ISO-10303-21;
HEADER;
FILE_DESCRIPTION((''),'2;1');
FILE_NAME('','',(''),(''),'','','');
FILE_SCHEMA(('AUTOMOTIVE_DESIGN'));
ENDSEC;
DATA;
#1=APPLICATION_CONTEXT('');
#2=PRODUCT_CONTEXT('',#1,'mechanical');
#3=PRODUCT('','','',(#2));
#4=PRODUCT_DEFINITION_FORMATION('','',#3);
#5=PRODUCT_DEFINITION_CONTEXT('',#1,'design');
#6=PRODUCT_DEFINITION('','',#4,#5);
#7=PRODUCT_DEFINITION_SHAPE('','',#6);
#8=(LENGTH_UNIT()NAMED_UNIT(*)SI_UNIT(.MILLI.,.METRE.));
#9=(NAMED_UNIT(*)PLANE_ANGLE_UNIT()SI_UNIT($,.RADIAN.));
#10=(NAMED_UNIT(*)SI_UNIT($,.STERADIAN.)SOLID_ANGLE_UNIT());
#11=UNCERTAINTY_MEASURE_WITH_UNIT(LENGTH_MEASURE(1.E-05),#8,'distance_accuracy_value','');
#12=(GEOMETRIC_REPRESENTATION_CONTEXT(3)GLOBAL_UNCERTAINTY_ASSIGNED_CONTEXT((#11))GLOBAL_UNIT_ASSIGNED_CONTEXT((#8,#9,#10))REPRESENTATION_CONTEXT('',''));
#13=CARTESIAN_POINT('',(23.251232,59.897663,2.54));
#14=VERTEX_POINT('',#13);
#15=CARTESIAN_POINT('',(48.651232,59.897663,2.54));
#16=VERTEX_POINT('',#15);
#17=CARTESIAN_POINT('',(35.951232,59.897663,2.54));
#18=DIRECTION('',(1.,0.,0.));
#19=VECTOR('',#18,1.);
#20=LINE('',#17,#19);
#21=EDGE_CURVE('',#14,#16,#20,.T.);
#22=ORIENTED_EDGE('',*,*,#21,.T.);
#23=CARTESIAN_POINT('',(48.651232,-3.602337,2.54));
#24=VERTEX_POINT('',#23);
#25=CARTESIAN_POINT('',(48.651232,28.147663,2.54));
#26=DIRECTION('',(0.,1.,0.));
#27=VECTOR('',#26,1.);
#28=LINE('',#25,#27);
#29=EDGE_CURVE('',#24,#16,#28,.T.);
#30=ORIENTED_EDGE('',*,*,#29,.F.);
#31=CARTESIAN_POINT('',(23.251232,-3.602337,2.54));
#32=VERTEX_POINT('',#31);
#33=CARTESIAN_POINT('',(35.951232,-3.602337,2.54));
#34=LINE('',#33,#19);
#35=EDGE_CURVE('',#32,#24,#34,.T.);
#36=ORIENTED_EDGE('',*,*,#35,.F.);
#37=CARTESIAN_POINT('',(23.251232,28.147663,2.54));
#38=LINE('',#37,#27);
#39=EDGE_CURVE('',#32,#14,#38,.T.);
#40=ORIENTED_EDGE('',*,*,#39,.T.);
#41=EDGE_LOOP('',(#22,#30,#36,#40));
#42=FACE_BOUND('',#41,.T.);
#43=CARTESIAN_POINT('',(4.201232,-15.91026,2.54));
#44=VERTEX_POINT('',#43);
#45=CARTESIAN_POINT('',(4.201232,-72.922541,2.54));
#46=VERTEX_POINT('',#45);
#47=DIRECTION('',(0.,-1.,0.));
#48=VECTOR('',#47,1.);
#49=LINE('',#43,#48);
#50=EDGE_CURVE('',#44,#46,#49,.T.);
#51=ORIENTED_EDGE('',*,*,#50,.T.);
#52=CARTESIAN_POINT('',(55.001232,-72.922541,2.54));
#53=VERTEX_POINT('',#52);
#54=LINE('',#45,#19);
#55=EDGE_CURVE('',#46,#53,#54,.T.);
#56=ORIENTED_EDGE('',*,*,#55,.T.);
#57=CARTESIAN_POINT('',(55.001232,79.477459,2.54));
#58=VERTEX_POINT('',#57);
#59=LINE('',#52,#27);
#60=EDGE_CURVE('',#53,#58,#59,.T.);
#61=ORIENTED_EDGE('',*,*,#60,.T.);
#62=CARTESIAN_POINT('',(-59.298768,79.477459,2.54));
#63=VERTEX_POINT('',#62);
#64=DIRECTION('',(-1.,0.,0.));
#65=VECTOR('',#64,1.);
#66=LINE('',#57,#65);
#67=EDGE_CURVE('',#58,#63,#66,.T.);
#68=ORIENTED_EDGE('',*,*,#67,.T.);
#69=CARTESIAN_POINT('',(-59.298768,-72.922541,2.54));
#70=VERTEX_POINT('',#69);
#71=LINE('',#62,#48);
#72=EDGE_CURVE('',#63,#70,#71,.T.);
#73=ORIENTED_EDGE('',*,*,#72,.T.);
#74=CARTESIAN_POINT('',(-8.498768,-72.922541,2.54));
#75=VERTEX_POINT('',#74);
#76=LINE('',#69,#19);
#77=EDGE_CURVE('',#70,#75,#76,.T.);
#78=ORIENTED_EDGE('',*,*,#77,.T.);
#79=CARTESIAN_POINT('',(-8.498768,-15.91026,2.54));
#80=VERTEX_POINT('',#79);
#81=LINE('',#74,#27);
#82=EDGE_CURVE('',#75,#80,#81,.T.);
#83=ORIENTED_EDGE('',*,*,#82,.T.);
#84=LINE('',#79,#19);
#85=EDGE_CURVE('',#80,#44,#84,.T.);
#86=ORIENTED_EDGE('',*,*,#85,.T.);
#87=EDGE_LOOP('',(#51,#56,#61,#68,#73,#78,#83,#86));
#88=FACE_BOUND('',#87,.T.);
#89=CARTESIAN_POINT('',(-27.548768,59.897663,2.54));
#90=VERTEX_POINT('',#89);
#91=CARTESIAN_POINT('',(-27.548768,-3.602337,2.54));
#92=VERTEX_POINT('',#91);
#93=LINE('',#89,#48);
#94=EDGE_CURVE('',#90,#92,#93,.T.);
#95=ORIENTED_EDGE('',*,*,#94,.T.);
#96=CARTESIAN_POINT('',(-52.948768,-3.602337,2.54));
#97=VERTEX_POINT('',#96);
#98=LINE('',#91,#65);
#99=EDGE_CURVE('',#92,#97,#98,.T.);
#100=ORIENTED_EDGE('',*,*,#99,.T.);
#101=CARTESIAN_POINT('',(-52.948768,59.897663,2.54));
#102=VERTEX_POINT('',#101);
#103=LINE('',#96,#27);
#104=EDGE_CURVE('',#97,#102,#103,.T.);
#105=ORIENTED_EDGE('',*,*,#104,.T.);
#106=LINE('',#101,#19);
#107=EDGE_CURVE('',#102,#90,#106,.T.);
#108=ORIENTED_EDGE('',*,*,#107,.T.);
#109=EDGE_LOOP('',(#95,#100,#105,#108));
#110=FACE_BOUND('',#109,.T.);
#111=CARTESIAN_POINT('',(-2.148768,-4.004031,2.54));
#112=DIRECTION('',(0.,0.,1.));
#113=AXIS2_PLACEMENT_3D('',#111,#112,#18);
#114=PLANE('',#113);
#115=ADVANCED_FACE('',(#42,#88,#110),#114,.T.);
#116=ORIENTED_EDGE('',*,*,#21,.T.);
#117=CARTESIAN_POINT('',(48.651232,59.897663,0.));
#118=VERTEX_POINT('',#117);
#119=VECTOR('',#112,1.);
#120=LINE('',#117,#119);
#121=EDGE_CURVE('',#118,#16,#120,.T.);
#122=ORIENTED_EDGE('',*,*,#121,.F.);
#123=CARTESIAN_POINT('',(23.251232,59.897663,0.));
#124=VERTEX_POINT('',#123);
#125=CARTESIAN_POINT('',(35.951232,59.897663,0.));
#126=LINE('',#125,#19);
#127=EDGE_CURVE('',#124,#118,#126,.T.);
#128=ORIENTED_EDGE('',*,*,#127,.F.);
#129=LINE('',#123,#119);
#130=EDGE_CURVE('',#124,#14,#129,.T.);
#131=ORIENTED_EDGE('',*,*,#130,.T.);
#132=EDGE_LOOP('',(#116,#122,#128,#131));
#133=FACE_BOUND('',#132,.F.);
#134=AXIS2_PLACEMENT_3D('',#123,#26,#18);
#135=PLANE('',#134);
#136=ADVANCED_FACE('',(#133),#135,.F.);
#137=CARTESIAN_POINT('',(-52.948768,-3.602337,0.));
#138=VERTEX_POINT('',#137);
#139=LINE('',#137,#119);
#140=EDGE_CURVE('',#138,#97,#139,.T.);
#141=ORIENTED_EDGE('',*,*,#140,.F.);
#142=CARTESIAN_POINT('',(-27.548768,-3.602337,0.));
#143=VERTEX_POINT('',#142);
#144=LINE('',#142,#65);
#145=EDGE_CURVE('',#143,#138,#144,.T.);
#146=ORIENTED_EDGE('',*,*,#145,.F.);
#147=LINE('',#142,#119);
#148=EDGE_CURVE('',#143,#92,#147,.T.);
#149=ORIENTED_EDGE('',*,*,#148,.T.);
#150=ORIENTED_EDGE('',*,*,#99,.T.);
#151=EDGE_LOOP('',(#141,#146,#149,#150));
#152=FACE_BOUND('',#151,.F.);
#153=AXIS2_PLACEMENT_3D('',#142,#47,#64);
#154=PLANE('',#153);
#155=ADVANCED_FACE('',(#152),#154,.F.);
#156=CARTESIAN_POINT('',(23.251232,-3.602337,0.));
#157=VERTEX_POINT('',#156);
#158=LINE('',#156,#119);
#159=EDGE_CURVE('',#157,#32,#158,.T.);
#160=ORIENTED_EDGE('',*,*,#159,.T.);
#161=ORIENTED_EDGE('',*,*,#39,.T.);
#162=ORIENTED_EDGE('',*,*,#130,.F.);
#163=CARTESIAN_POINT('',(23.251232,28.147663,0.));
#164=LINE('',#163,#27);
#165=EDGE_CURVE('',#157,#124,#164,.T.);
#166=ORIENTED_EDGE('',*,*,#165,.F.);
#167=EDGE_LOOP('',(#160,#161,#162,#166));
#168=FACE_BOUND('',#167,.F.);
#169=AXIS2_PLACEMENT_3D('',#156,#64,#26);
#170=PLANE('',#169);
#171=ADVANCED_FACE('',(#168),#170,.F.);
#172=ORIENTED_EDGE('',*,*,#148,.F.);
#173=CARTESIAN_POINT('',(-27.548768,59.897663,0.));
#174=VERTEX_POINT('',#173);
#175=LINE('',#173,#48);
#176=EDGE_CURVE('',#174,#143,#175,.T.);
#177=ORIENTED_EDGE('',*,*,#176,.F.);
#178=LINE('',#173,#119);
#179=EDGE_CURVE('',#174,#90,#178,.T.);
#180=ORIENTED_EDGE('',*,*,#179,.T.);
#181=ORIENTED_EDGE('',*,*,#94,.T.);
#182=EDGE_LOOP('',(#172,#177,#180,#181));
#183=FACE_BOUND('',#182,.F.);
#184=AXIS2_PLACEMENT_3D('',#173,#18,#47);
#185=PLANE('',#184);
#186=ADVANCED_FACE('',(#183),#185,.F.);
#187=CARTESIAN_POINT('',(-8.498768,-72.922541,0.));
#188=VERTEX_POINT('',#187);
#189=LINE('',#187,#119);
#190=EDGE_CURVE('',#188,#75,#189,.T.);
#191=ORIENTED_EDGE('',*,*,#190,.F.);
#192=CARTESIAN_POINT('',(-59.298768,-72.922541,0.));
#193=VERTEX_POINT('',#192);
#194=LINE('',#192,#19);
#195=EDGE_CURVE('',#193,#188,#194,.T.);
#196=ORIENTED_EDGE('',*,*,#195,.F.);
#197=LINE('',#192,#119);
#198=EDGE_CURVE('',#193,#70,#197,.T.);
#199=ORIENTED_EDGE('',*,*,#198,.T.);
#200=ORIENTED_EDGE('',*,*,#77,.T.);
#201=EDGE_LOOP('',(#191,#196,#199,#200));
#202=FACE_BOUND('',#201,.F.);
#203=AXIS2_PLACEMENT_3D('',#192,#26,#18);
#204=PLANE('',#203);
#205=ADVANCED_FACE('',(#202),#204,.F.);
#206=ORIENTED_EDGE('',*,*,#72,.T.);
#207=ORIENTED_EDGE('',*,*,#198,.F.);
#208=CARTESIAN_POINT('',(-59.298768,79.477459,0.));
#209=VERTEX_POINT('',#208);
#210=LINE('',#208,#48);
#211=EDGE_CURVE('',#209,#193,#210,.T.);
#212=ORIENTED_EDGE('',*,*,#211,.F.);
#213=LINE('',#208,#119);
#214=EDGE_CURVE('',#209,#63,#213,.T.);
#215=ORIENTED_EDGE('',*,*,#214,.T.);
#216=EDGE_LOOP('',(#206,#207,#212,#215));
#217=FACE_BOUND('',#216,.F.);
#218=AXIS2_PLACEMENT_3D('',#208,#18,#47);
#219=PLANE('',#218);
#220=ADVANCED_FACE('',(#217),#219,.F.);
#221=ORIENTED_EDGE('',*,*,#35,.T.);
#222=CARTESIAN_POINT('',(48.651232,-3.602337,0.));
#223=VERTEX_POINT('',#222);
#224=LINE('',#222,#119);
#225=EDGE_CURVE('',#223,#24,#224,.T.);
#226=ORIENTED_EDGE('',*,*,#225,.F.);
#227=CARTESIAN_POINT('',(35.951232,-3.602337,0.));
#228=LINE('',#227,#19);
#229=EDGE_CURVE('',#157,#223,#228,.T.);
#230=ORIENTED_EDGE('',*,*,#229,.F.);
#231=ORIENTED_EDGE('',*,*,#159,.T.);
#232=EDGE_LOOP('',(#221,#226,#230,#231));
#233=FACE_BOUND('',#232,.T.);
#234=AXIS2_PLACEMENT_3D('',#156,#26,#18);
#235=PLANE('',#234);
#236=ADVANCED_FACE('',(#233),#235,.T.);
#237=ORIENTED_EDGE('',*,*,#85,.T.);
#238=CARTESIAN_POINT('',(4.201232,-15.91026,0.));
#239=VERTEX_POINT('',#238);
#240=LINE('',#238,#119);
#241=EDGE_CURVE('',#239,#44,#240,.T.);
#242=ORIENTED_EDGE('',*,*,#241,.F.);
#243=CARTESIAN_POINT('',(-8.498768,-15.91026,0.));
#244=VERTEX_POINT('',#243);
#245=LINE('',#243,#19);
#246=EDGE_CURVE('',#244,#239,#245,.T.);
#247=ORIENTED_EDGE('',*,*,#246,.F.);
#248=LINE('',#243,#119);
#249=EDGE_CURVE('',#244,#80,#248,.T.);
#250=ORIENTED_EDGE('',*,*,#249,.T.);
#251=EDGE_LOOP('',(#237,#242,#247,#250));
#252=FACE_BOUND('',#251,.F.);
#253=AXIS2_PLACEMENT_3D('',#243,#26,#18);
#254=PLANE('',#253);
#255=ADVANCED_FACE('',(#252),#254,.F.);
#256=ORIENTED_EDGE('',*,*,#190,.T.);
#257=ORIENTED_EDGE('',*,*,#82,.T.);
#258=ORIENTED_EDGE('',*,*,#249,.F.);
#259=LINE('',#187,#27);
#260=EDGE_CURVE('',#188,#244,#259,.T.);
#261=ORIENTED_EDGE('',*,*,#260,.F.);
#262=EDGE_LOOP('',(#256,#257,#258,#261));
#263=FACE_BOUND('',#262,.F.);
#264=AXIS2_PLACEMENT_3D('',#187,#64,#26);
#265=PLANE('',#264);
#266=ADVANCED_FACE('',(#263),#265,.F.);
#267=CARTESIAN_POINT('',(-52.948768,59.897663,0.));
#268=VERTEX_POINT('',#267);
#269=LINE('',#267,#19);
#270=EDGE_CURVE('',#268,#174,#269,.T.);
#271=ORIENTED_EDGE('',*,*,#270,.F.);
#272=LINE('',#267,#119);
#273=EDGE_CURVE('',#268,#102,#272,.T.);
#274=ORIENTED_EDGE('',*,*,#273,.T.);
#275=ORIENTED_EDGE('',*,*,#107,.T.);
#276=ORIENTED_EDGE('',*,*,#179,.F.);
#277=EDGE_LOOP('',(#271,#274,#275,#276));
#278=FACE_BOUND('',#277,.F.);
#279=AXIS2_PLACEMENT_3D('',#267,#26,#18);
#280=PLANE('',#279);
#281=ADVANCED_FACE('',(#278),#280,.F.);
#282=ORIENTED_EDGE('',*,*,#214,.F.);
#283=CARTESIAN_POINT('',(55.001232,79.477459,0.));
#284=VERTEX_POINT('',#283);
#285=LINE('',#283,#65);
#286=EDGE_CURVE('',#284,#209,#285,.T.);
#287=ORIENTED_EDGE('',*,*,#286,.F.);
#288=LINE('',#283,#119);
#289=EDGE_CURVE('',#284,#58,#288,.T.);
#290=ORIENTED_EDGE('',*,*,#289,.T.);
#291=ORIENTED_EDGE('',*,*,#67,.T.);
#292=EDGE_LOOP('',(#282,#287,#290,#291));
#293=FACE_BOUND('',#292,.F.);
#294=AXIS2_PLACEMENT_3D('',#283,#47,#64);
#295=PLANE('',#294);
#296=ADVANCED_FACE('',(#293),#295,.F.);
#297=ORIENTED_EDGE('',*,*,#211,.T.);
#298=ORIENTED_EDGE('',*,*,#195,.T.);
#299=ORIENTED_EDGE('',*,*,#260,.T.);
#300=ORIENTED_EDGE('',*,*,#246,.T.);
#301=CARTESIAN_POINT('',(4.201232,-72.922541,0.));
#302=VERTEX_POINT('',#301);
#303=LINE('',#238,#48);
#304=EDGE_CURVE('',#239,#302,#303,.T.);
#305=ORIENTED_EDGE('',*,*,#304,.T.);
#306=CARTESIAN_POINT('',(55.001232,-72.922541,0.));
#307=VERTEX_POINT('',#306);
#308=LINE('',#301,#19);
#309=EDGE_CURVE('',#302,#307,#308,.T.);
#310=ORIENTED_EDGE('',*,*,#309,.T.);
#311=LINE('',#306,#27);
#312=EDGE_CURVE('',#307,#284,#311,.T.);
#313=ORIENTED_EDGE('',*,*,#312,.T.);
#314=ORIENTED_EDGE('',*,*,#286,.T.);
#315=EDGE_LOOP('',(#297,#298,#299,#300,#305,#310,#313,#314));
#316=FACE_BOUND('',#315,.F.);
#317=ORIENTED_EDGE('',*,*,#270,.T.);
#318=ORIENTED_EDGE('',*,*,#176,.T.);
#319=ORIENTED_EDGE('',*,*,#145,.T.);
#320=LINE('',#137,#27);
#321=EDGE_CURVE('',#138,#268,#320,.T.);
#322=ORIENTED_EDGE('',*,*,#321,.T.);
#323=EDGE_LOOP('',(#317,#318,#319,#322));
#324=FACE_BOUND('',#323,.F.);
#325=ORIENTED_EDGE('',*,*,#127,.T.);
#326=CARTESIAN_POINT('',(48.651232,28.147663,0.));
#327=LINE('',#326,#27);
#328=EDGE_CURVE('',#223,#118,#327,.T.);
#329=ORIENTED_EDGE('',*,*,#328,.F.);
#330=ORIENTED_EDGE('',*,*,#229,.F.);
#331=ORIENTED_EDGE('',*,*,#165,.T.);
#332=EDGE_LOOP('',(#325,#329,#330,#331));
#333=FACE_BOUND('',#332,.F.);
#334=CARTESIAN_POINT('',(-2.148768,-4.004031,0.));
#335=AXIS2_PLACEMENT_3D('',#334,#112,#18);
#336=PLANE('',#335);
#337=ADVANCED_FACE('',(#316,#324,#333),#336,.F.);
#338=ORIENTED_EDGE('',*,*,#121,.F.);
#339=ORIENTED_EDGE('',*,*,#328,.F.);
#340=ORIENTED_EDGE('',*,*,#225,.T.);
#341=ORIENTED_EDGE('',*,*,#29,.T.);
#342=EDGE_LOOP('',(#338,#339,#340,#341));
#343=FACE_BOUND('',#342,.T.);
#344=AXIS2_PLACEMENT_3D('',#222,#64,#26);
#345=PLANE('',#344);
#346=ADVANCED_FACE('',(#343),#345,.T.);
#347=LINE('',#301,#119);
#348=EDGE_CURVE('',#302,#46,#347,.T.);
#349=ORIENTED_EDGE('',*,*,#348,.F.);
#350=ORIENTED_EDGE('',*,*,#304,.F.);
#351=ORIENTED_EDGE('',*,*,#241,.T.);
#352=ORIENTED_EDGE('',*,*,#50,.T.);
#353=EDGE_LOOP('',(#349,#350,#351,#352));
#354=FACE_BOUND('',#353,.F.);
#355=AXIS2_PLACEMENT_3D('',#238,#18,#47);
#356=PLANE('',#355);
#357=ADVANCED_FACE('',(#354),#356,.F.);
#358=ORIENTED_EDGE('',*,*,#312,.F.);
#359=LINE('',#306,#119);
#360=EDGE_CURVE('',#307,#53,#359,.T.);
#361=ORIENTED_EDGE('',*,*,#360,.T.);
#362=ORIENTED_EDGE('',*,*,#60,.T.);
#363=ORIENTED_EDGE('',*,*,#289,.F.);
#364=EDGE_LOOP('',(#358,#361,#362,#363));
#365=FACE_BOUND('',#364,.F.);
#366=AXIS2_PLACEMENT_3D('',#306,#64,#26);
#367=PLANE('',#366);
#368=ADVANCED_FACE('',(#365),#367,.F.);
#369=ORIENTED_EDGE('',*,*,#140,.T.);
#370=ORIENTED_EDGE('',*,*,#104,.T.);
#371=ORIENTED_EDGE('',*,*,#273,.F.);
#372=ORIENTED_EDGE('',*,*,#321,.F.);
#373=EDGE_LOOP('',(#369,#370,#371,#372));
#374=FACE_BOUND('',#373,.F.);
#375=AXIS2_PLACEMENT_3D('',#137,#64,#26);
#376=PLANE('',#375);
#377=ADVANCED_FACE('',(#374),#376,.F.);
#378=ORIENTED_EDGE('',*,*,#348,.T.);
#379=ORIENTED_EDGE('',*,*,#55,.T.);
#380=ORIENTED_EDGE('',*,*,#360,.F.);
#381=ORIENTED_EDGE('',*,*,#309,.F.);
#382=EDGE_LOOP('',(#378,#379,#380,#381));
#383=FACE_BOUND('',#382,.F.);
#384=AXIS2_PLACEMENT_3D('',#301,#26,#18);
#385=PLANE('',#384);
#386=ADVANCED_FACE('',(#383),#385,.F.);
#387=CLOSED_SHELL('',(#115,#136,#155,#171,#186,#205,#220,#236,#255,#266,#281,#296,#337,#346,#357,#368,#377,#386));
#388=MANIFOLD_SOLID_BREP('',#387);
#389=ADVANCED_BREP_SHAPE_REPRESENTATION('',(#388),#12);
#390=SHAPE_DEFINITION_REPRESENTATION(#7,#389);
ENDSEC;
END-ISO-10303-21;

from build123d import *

# Parameters (mm, degrees)
F0_W     = 25.4
F0_H     = 63.5
F1_DEPTH = 2.54


with BuildPart() as f1:
    # F0 (on Top) → F1 (new body)
    with BuildSketch(Plane.XY):
        Polygon((55.001232, 79.477459), (-59.298768, 79.477459), (-59.298768, 50.732639), (-59.298768, -15.91026), (-59.298768, -72.922541), (-52.948768, -72.922541), (-27.548768, -72.922541), (-21.198768, -72.922541), (-8.498768, -72.922541), (-8.498768, -15.91026), (4.201232, -15.91026), (4.201232, -72.922541), (16.901232, -72.922541), (48.651232, -72.922541), (55.001232, -72.922541), (55.001232, -15.91026), (55.001232, 59.897663), align=None)
        Polygon((-52.948768, 50.732639), (-52.948768, 59.897663), (-27.548768, 59.897663), (-27.548768, 50.732639), (-27.548768, -3.602337), (-52.948768, -3.602337), align=None, mode=Mode.SUBTRACT)
        with Locations((35.951232, 28.147663)):
            Rectangle(F0_W, F0_H, mode=Mode.SUBTRACT)
    extrude(amount=F1_DEPTH)


solid = f1.part
